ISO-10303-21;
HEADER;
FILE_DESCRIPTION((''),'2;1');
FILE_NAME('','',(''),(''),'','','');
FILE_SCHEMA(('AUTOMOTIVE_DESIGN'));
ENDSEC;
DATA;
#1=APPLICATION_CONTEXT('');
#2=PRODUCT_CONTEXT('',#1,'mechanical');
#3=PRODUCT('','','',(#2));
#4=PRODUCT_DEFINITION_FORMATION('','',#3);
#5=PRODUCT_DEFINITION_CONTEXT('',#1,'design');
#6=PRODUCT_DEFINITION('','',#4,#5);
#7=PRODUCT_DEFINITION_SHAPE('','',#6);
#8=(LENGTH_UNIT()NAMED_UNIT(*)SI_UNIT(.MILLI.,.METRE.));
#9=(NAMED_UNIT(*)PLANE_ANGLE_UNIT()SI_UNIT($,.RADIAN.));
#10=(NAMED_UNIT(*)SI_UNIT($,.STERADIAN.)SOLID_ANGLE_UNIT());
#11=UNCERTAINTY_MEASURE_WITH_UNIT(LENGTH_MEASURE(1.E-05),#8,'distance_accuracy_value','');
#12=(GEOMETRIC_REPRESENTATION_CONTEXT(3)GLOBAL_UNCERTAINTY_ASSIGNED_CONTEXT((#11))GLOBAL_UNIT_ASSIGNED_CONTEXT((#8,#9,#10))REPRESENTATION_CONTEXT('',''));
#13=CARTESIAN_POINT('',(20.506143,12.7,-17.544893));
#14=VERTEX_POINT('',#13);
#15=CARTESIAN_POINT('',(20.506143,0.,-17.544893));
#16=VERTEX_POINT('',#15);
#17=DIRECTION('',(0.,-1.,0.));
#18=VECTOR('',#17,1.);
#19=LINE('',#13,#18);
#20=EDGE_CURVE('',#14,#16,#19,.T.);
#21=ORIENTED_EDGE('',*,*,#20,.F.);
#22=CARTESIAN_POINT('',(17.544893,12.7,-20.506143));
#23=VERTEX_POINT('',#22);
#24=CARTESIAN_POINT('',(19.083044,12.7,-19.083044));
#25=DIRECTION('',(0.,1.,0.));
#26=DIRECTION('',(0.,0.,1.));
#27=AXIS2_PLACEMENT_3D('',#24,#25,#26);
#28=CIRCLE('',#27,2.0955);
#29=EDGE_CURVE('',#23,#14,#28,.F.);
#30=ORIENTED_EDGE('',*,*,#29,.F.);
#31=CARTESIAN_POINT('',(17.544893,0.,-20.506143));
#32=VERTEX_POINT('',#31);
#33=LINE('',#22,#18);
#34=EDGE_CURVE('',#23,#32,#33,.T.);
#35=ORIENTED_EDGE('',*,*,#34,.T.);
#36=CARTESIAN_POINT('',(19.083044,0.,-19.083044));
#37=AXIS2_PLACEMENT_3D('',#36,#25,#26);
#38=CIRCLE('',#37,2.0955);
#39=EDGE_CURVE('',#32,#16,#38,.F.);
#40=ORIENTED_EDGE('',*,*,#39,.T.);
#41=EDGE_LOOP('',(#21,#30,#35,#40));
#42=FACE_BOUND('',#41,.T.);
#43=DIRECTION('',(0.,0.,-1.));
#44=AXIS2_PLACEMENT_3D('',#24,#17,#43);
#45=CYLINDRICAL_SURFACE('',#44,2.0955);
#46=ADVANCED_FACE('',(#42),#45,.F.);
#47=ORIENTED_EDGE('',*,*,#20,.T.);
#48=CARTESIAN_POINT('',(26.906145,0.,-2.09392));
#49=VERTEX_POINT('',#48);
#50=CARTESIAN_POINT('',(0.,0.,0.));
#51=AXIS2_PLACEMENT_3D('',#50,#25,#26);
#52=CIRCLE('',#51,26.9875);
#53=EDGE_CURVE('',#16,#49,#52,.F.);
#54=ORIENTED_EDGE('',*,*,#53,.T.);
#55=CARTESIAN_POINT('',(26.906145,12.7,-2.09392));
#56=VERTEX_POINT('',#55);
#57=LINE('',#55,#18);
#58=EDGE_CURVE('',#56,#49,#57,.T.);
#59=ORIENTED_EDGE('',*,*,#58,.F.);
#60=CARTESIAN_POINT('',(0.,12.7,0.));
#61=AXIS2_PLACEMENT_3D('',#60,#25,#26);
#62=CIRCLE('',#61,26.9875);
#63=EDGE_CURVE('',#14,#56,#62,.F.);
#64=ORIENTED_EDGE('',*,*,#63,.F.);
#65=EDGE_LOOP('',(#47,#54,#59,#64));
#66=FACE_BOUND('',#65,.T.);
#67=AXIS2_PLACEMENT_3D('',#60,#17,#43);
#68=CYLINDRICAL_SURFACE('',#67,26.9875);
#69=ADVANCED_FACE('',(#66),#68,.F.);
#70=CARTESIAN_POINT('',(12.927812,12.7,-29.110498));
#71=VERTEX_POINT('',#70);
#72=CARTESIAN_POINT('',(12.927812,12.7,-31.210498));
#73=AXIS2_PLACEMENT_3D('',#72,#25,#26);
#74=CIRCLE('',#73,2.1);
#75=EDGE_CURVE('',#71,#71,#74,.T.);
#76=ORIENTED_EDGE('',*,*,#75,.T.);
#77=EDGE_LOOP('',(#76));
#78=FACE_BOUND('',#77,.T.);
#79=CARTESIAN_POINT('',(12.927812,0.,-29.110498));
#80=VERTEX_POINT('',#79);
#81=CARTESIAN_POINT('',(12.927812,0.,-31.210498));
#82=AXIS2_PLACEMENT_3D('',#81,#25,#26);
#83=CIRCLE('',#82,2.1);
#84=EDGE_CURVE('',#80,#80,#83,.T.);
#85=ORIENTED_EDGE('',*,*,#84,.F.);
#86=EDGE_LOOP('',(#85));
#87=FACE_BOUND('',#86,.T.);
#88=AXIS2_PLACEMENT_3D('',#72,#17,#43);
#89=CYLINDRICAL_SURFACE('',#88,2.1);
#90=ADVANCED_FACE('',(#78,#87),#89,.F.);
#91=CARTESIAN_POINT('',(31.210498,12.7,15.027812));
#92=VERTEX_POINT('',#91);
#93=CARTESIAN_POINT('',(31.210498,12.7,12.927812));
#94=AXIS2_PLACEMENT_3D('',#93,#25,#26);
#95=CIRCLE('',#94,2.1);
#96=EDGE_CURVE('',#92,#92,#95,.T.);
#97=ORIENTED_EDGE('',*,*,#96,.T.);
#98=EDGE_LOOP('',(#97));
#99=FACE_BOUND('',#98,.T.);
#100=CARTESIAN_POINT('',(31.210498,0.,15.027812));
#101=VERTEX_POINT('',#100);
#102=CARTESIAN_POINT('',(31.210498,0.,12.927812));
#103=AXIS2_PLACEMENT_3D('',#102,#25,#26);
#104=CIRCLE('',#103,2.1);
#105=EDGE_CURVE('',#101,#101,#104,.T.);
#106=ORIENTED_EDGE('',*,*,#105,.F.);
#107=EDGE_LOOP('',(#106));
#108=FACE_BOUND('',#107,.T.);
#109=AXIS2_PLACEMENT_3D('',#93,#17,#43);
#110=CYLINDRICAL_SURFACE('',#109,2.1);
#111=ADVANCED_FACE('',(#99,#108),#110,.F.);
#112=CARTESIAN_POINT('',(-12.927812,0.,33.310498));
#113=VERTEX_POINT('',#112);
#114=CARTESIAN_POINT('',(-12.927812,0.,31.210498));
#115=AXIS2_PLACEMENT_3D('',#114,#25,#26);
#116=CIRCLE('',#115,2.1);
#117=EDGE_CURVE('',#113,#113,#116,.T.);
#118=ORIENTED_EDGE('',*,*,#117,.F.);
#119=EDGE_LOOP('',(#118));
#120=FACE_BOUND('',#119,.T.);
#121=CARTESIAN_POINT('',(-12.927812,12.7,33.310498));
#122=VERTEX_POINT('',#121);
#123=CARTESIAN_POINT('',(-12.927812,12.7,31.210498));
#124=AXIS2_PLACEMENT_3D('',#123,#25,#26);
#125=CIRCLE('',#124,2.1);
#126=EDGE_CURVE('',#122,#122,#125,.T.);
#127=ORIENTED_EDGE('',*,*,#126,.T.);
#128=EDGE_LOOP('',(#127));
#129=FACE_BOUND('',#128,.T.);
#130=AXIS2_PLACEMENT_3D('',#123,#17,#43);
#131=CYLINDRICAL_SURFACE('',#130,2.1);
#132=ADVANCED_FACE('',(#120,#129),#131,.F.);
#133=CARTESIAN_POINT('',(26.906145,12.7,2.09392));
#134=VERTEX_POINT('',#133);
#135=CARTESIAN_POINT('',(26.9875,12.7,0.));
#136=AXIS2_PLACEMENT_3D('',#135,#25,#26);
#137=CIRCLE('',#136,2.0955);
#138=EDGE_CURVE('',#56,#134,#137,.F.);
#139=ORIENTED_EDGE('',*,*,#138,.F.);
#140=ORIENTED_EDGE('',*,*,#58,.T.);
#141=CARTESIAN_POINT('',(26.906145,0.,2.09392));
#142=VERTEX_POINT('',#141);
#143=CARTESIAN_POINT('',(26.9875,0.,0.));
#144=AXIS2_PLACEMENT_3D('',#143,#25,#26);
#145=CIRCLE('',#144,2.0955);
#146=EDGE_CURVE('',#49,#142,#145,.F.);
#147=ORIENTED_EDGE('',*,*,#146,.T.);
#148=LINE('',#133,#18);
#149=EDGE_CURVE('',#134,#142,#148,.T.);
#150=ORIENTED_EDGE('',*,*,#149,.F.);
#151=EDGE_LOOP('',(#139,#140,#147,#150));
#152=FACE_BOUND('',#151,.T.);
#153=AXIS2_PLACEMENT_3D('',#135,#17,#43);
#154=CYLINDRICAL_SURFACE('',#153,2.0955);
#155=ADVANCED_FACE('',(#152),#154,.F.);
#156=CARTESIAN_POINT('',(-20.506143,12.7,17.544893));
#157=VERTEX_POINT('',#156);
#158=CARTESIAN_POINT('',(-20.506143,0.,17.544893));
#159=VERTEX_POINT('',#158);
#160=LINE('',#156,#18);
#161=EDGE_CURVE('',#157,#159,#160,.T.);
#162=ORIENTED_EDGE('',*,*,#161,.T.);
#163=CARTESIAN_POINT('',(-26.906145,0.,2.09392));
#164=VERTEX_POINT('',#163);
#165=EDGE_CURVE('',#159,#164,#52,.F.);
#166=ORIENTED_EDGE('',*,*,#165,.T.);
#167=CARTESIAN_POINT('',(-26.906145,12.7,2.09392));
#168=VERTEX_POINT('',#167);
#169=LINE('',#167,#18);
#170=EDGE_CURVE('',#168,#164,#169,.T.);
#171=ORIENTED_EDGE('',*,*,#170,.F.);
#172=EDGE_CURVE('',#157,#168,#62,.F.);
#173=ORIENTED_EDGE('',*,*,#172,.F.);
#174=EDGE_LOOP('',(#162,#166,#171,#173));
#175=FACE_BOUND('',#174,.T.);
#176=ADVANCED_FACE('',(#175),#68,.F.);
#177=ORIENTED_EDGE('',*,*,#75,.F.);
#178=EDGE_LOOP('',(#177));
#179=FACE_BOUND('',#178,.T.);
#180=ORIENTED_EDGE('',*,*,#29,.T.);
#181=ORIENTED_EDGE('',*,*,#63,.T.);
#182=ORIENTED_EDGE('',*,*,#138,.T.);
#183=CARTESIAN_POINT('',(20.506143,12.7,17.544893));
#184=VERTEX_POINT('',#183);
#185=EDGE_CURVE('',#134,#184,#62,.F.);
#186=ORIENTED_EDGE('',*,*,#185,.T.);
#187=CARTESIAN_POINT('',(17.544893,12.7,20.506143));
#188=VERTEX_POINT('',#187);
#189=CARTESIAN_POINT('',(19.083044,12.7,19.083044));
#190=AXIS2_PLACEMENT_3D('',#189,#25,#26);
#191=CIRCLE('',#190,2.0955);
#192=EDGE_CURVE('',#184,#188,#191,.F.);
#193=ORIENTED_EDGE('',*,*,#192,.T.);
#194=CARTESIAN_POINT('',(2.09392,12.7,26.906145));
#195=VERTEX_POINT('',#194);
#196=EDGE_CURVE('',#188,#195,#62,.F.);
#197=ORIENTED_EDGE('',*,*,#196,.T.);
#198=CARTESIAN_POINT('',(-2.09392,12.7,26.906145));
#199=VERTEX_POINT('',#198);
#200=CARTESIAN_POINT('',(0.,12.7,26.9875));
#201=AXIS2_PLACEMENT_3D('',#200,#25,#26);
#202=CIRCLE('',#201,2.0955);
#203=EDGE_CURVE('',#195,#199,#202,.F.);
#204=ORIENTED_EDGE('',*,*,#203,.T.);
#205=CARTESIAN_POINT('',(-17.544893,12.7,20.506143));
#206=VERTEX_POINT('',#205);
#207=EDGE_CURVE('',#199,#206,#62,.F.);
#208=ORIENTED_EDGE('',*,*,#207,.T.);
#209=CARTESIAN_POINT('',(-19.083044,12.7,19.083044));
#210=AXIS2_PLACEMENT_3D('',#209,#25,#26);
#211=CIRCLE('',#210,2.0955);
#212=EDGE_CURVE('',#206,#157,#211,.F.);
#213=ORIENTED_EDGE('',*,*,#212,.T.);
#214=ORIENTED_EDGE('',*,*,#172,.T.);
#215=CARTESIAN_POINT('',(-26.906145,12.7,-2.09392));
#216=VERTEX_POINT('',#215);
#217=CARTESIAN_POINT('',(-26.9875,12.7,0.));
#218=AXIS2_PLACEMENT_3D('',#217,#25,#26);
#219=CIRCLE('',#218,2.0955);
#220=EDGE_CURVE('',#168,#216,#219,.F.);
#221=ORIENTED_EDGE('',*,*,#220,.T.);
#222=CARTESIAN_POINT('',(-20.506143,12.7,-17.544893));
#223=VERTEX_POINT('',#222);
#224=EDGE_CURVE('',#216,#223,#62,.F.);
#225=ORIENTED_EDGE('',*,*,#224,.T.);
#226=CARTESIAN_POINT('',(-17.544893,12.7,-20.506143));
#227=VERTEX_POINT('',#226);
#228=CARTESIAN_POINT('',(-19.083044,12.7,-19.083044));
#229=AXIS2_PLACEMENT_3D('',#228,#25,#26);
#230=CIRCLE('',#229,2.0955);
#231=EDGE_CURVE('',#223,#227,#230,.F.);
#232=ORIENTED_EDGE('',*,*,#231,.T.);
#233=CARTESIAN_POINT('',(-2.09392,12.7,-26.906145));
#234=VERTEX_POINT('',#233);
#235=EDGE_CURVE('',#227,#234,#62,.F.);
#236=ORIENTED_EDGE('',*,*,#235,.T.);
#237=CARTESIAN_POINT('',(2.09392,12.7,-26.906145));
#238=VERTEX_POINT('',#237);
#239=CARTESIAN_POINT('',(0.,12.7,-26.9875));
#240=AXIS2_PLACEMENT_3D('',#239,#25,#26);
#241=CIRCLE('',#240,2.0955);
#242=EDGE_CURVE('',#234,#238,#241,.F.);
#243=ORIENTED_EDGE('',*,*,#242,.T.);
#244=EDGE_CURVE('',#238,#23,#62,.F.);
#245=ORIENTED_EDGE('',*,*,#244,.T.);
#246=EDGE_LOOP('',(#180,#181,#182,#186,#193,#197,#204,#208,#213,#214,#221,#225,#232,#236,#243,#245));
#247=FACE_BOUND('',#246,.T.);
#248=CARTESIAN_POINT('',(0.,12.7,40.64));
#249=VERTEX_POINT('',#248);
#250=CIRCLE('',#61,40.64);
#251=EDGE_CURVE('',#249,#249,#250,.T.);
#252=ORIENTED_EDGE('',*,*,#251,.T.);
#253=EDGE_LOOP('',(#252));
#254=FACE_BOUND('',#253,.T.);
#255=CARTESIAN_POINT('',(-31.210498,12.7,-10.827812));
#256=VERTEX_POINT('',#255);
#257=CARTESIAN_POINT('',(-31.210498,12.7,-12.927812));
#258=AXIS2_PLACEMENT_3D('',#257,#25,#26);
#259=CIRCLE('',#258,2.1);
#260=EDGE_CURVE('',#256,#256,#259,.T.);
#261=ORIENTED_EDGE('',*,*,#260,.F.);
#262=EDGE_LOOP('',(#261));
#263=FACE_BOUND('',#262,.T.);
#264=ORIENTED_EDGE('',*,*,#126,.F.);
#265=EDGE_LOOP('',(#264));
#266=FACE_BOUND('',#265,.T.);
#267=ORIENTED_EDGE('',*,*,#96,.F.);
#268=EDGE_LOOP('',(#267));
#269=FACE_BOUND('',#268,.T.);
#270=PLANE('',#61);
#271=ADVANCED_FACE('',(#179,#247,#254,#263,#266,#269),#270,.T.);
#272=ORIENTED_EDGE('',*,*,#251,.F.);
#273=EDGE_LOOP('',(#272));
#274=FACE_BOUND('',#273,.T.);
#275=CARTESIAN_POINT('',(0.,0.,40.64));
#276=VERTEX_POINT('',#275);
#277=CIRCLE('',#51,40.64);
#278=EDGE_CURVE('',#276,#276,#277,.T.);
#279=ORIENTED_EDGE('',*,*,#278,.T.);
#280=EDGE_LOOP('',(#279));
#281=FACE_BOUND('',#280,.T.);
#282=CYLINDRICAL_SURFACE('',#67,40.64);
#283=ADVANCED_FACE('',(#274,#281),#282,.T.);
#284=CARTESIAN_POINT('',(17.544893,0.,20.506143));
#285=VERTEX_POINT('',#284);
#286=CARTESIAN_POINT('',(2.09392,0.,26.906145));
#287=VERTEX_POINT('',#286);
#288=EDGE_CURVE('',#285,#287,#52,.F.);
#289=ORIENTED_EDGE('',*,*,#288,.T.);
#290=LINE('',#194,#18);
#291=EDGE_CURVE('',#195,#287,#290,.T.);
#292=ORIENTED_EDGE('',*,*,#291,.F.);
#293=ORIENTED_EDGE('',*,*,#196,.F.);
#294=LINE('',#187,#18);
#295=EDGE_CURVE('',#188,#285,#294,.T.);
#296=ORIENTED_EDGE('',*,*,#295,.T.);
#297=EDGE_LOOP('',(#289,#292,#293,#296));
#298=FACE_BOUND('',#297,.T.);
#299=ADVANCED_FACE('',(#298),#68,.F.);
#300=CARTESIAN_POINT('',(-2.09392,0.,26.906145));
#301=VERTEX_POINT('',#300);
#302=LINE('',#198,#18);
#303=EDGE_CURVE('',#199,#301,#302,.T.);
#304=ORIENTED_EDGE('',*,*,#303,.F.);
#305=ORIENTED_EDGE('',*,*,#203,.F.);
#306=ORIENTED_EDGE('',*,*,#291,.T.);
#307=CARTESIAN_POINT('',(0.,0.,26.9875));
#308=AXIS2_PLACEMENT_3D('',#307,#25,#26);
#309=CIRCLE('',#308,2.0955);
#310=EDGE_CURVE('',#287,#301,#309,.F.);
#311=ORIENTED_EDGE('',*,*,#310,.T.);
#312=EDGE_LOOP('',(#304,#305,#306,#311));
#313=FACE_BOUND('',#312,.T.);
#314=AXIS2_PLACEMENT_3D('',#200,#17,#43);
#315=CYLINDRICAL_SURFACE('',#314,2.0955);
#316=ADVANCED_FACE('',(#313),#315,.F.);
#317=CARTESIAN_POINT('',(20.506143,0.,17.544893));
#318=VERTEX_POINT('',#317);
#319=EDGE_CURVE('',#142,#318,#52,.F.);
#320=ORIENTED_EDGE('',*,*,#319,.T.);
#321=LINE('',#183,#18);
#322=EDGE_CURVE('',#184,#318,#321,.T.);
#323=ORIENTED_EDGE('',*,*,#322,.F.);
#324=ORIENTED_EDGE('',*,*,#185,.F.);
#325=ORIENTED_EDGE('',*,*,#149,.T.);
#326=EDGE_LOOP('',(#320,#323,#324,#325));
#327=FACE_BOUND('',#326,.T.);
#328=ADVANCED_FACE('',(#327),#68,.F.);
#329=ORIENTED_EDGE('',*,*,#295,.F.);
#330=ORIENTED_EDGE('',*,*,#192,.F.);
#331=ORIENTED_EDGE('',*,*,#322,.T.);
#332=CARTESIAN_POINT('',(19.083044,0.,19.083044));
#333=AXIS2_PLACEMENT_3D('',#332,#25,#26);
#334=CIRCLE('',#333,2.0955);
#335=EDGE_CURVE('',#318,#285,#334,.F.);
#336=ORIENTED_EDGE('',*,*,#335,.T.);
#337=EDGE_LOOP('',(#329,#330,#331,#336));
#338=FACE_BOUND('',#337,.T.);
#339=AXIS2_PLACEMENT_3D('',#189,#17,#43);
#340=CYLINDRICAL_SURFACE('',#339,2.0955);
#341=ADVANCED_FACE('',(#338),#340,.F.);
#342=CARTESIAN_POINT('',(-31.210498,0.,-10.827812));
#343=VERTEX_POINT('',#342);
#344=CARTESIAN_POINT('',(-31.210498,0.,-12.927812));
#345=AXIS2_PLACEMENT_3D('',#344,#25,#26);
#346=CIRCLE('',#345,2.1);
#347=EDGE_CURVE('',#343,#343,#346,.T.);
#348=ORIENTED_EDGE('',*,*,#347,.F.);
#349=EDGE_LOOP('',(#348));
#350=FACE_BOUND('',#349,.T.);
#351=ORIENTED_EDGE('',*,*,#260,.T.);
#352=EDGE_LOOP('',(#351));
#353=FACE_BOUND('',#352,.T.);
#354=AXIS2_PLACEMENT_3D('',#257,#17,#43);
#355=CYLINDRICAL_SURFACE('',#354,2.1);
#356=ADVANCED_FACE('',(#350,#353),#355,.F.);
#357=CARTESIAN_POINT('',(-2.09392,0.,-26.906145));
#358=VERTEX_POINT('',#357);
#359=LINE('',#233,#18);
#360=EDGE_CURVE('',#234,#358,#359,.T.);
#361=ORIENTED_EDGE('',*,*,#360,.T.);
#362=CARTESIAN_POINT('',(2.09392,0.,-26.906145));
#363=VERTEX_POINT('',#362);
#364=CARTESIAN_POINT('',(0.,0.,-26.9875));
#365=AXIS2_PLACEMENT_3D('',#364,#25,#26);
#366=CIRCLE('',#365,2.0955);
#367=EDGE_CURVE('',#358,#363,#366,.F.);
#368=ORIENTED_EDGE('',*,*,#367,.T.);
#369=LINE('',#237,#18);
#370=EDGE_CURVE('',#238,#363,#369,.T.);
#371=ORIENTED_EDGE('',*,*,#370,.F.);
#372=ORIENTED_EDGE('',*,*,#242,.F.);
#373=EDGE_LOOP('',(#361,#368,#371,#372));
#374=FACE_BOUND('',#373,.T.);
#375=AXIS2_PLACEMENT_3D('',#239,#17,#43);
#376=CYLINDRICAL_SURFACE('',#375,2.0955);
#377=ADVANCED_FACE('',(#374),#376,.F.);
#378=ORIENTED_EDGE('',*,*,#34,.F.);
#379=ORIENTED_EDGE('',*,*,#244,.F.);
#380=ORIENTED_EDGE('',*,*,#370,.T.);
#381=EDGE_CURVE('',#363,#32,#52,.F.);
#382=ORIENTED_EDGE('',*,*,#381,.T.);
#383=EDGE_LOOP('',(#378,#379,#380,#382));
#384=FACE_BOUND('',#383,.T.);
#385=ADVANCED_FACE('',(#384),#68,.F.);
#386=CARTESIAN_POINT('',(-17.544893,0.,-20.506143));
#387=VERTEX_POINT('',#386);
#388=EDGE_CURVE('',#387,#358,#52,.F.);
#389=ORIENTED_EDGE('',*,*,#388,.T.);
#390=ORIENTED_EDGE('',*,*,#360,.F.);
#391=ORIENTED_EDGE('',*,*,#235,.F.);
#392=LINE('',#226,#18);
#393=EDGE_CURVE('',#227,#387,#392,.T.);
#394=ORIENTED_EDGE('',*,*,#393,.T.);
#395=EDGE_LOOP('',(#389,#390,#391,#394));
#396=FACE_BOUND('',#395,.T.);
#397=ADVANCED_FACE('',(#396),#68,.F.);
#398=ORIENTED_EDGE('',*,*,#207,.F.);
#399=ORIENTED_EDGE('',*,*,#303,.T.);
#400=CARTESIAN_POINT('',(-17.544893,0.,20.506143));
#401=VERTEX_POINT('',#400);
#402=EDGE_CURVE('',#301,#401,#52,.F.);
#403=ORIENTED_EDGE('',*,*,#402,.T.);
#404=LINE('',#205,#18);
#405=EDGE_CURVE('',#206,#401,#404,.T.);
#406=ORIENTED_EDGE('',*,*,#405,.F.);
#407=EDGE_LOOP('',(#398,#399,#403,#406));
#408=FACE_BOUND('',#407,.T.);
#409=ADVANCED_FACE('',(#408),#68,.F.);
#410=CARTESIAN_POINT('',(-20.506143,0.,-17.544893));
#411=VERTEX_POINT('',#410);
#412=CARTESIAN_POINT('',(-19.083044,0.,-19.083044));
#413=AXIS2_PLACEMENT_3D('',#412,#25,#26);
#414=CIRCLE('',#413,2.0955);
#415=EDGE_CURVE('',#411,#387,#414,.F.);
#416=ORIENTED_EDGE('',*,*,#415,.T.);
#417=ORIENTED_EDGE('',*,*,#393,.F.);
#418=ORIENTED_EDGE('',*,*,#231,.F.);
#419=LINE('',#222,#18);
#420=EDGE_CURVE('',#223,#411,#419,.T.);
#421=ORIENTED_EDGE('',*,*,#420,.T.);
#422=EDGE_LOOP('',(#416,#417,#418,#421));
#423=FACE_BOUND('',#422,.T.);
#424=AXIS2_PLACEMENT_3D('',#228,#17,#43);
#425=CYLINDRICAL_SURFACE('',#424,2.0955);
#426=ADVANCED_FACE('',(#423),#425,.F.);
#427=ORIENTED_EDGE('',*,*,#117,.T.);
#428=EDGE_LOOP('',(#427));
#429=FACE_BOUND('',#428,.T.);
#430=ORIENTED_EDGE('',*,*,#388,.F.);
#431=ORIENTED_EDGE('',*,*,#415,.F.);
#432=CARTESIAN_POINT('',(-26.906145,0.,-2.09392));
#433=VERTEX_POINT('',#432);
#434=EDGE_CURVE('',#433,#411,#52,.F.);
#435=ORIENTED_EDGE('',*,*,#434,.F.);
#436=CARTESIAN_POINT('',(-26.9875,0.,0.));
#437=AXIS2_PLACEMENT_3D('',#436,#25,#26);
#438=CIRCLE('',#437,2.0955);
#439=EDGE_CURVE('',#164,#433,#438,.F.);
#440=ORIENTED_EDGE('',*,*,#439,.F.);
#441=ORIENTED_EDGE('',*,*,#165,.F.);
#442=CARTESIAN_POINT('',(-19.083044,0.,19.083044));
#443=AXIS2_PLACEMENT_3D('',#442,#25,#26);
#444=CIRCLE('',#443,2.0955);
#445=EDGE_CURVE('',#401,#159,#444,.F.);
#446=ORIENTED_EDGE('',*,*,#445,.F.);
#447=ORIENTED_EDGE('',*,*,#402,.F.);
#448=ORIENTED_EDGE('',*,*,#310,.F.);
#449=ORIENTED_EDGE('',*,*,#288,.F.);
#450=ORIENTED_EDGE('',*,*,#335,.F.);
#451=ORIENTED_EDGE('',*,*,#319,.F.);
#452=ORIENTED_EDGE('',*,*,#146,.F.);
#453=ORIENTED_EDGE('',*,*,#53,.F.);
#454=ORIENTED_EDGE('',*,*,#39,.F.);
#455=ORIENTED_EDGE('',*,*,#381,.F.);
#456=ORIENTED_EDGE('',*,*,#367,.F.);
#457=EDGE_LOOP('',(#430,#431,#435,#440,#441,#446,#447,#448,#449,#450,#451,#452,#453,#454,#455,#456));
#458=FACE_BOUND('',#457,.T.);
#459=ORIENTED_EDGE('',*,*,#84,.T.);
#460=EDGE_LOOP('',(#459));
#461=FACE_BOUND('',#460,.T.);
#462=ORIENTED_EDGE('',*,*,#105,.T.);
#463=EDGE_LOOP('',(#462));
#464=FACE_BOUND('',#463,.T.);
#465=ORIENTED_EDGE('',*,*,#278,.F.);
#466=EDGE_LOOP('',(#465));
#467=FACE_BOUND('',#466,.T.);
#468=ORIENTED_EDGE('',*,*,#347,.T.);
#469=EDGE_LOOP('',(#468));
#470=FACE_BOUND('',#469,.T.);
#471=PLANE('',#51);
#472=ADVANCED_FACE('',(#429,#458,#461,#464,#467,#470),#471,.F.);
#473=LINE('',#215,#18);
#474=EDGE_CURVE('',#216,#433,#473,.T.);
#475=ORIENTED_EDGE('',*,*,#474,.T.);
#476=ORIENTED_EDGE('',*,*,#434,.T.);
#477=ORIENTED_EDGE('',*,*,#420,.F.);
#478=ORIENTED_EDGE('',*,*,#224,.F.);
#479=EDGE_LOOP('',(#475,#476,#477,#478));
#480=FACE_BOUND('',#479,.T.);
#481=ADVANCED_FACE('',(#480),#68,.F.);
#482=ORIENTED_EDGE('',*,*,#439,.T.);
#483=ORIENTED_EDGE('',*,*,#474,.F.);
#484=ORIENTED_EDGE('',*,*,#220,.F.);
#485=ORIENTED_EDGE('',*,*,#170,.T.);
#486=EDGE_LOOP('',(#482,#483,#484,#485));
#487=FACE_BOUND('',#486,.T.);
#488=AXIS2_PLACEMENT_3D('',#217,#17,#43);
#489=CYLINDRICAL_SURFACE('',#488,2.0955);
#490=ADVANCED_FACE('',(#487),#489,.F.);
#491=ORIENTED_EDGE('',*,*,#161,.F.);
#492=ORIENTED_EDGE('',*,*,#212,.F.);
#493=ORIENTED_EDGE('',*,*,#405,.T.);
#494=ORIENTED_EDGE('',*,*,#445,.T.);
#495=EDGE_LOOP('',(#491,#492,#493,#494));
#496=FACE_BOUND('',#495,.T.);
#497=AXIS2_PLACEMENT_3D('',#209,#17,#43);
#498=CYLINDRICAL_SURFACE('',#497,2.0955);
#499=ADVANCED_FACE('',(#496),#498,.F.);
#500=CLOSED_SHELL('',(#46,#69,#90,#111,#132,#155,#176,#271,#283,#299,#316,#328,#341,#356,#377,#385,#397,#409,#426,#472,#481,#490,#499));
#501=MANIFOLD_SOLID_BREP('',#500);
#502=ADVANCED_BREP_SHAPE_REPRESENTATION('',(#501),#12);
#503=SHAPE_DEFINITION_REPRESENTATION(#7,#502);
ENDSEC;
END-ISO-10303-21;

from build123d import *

# Parameters (mm, degrees)
F_1_5IN_SOCKET_R    = 40.64
F_1_5IN_SOCKET_R_2  = 2.1
BOSS_EXTRUDE1_DEPTH = 12.7


with BuildPart() as part:
    # 1.5in Socket → Boss-Extrude1 (new body)
    with BuildSketch(Plane(origin=(0, 0, 0), x_dir=(1, 0, 0), z_dir=(0, 1, 0))):
        with Locations(Location((0, 0, 0), (0, 0, 270))):
            Circle(F_1_5IN_SOCKET_R)
        with Locations(Location((12.927811712, 31.210498367, 0), (0, 0, 270))):
            Circle(F_1_5IN_SOCKET_R_2, mode=Mode.SUBTRACT)
        with Locations(Location((31.210498367, -12.927811712, 0), (0, 0, 270))):
            Circle(F_1_5IN_SOCKET_R_2, mode=Mode.SUBTRACT)
        with Locations(Location((-31.210498367, 12.927811712, 0), (0, 0, 270))):
            Circle(F_1_5IN_SOCKET_R_2, mode=Mode.SUBTRACT)
        with Locations(Location((-12.927811712, -31.210498367, 0), (0, 0, 270))):
            Circle(F_1_5IN_SOCKET_R_2, mode=Mode.SUBTRACT)
        with BuildLine():
            ThreePointArc((-20.506142942, 17.544892644), (-20.564786517, 20.564786517), (-17.544892644, 20.506142942))
            ThreePointArc((-17.544892644, 20.506142942), (-10.327669131, 24.933198884), (-2.093920166, 26.906145294))
            ThreePointArc((-2.093920166, 26.906145294), (0, 29.083), (2.093920166, 26.906145294))
            ThreePointArc((2.093920166, 26.906145294), (10.327669131, 24.933198884), (17.544892644, 20.506142942))
            ThreePointArc((17.544892644, 20.506142942), (20.564786517, 20.564786517), (20.506142942, 17.544892644))
            ThreePointArc((20.506142942, 17.544892644), (24.933198884, 10.327669131), (26.906145294, 2.093920166))
            ThreePointArc((26.906145294, 2.093920166), (29.083, 0), (26.906145294, -2.093920166))
            ThreePointArc((26.906145294, -2.093920166), (24.933198884, -10.327669131), (20.506142942, -17.544892644))
            ThreePointArc((20.506142942, -17.544892644), (20.564786517, -20.564786517), (17.544892644, -20.506142942))
            ThreePointArc((17.544892644, -20.506142942), (10.327669131, -24.933198884), (2.093920166, -26.906145294))
            ThreePointArc((2.093920166, -26.906145294), (0, -29.083), (-2.093920166, -26.906145294))
            ThreePointArc((-2.093920166, -26.906145294), (-10.327669131, -24.933198884), (-17.544892644, -20.506142942))
            ThreePointArc((-17.544892644, -20.506142942), (-20.564786517, -20.564786517), (-20.506142942, -17.544892644))
            ThreePointArc((-20.506142942, -17.544892644), (-24.933198884, -10.327669131), (-26.906145294, -2.093920166))
            ThreePointArc((-26.906145294, -2.093920166), (-29.083, 0), (-26.906145294, 2.093920166))
            ThreePointArc((-26.906145294, 2.093920166), (-24.933198884, 10.327669131), (-20.506142942, 17.544892644))
        make_face(mode=Mode.SUBTRACT)
    extrude(amount=BOSS_EXTRUDE1_DEPTH)


solid = part.part
